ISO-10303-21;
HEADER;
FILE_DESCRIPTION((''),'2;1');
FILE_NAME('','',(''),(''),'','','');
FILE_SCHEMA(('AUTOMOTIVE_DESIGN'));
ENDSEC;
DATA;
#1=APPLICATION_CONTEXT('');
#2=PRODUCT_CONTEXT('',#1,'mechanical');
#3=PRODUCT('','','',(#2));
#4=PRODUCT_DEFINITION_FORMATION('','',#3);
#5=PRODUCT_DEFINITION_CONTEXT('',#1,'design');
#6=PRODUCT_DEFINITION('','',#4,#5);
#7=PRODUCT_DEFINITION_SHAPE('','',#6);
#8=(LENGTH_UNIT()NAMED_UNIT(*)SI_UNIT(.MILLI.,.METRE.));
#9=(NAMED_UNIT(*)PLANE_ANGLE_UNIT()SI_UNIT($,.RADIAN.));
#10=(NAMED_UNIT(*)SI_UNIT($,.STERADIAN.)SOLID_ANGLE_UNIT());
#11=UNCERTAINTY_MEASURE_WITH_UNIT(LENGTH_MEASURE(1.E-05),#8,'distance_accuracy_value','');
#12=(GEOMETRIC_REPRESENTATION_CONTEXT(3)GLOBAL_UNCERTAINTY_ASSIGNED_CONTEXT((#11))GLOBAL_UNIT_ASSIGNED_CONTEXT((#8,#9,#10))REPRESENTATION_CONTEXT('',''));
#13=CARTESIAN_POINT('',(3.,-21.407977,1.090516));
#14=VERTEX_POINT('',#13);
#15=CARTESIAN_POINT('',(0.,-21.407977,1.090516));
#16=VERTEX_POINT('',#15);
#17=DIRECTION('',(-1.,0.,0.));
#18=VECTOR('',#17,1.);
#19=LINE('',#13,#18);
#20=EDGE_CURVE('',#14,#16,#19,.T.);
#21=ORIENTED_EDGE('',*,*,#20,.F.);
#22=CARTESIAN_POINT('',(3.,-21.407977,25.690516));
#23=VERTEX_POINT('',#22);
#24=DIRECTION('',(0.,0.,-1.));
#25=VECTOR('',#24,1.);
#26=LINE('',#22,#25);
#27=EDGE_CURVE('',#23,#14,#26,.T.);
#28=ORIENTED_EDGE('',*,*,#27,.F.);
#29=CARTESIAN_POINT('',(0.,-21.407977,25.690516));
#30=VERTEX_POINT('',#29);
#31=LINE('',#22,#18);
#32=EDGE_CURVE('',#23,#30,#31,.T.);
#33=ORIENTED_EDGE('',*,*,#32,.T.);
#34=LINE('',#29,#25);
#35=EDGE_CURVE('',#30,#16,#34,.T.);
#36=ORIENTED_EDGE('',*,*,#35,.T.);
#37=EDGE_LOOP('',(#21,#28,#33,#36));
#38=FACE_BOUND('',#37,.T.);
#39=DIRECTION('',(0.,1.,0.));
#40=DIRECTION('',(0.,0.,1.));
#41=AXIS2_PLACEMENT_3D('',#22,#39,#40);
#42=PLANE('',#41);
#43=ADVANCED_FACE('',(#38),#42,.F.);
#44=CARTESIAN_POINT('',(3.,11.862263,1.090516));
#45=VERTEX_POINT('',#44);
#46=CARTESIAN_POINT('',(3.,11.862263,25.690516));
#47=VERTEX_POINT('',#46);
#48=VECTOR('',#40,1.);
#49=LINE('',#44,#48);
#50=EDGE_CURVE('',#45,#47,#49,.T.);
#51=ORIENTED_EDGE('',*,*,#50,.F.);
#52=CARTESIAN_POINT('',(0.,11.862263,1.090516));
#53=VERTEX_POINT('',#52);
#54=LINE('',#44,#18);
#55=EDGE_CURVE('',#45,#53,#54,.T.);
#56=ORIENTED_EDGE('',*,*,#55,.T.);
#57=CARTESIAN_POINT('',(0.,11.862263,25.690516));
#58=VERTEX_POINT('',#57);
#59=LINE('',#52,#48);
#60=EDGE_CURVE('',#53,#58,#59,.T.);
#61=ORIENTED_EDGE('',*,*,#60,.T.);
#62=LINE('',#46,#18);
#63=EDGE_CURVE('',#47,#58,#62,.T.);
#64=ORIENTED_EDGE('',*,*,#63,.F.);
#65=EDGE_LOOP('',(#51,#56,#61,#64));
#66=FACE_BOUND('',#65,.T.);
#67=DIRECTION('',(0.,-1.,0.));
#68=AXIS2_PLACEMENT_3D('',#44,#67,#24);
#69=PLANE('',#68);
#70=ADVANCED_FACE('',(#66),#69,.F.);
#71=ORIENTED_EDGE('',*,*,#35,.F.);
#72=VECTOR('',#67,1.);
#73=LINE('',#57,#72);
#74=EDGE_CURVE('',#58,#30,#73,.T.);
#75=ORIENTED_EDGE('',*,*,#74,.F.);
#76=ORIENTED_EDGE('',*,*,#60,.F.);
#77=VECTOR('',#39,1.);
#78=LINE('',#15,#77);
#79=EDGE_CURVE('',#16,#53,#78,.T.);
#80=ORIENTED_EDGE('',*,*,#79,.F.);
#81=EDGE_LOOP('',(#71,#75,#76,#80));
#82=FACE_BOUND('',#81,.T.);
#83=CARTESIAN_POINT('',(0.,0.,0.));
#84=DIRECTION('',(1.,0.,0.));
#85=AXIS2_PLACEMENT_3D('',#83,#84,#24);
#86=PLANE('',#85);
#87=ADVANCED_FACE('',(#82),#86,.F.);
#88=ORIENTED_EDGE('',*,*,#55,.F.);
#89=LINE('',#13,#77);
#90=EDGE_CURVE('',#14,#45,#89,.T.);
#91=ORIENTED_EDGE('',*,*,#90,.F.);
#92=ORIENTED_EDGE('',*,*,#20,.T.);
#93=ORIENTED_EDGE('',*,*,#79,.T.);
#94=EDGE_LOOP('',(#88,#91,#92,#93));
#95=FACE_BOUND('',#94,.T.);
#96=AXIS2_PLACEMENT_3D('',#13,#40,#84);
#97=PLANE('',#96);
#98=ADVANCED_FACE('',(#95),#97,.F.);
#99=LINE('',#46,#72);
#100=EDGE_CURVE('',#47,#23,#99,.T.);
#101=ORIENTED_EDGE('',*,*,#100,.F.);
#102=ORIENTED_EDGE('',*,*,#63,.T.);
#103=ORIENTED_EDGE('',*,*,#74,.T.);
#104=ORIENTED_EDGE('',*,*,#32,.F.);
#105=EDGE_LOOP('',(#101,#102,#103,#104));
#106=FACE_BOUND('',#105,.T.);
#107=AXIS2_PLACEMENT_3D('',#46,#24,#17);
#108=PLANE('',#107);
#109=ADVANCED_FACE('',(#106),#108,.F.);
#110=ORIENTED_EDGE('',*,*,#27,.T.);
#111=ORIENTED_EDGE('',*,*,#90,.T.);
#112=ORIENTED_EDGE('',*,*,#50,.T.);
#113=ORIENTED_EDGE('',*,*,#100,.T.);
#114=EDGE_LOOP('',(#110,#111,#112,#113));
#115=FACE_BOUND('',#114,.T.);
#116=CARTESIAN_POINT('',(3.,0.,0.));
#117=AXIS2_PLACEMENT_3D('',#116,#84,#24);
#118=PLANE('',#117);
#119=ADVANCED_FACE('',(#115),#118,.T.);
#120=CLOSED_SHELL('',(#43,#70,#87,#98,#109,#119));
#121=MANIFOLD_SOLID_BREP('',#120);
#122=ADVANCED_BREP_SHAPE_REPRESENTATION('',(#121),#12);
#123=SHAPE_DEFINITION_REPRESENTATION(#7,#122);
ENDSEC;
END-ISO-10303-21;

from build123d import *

# Parameters (mm, degrees)
CROQUIS1_W              = 24.6
CROQUIS1_H              = 33.270240546
SALIENTE_EXTRUIR1_DEPTH = 3


with BuildPart() as part:
    # Croquis1 → Saliente-Extruir1 (new body)
    with BuildSketch(Plane(origin=(0, 0, 0), x_dir=(0, 0, -1), z_dir=(1, 0, 0))):
        with Locations((-13.390515549, -4.772857027)):
            Rectangle(CROQUIS1_W, CROQUIS1_H)
    extrude(amount=SALIENTE_EXTRUIR1_DEPTH)


solid = part.part
